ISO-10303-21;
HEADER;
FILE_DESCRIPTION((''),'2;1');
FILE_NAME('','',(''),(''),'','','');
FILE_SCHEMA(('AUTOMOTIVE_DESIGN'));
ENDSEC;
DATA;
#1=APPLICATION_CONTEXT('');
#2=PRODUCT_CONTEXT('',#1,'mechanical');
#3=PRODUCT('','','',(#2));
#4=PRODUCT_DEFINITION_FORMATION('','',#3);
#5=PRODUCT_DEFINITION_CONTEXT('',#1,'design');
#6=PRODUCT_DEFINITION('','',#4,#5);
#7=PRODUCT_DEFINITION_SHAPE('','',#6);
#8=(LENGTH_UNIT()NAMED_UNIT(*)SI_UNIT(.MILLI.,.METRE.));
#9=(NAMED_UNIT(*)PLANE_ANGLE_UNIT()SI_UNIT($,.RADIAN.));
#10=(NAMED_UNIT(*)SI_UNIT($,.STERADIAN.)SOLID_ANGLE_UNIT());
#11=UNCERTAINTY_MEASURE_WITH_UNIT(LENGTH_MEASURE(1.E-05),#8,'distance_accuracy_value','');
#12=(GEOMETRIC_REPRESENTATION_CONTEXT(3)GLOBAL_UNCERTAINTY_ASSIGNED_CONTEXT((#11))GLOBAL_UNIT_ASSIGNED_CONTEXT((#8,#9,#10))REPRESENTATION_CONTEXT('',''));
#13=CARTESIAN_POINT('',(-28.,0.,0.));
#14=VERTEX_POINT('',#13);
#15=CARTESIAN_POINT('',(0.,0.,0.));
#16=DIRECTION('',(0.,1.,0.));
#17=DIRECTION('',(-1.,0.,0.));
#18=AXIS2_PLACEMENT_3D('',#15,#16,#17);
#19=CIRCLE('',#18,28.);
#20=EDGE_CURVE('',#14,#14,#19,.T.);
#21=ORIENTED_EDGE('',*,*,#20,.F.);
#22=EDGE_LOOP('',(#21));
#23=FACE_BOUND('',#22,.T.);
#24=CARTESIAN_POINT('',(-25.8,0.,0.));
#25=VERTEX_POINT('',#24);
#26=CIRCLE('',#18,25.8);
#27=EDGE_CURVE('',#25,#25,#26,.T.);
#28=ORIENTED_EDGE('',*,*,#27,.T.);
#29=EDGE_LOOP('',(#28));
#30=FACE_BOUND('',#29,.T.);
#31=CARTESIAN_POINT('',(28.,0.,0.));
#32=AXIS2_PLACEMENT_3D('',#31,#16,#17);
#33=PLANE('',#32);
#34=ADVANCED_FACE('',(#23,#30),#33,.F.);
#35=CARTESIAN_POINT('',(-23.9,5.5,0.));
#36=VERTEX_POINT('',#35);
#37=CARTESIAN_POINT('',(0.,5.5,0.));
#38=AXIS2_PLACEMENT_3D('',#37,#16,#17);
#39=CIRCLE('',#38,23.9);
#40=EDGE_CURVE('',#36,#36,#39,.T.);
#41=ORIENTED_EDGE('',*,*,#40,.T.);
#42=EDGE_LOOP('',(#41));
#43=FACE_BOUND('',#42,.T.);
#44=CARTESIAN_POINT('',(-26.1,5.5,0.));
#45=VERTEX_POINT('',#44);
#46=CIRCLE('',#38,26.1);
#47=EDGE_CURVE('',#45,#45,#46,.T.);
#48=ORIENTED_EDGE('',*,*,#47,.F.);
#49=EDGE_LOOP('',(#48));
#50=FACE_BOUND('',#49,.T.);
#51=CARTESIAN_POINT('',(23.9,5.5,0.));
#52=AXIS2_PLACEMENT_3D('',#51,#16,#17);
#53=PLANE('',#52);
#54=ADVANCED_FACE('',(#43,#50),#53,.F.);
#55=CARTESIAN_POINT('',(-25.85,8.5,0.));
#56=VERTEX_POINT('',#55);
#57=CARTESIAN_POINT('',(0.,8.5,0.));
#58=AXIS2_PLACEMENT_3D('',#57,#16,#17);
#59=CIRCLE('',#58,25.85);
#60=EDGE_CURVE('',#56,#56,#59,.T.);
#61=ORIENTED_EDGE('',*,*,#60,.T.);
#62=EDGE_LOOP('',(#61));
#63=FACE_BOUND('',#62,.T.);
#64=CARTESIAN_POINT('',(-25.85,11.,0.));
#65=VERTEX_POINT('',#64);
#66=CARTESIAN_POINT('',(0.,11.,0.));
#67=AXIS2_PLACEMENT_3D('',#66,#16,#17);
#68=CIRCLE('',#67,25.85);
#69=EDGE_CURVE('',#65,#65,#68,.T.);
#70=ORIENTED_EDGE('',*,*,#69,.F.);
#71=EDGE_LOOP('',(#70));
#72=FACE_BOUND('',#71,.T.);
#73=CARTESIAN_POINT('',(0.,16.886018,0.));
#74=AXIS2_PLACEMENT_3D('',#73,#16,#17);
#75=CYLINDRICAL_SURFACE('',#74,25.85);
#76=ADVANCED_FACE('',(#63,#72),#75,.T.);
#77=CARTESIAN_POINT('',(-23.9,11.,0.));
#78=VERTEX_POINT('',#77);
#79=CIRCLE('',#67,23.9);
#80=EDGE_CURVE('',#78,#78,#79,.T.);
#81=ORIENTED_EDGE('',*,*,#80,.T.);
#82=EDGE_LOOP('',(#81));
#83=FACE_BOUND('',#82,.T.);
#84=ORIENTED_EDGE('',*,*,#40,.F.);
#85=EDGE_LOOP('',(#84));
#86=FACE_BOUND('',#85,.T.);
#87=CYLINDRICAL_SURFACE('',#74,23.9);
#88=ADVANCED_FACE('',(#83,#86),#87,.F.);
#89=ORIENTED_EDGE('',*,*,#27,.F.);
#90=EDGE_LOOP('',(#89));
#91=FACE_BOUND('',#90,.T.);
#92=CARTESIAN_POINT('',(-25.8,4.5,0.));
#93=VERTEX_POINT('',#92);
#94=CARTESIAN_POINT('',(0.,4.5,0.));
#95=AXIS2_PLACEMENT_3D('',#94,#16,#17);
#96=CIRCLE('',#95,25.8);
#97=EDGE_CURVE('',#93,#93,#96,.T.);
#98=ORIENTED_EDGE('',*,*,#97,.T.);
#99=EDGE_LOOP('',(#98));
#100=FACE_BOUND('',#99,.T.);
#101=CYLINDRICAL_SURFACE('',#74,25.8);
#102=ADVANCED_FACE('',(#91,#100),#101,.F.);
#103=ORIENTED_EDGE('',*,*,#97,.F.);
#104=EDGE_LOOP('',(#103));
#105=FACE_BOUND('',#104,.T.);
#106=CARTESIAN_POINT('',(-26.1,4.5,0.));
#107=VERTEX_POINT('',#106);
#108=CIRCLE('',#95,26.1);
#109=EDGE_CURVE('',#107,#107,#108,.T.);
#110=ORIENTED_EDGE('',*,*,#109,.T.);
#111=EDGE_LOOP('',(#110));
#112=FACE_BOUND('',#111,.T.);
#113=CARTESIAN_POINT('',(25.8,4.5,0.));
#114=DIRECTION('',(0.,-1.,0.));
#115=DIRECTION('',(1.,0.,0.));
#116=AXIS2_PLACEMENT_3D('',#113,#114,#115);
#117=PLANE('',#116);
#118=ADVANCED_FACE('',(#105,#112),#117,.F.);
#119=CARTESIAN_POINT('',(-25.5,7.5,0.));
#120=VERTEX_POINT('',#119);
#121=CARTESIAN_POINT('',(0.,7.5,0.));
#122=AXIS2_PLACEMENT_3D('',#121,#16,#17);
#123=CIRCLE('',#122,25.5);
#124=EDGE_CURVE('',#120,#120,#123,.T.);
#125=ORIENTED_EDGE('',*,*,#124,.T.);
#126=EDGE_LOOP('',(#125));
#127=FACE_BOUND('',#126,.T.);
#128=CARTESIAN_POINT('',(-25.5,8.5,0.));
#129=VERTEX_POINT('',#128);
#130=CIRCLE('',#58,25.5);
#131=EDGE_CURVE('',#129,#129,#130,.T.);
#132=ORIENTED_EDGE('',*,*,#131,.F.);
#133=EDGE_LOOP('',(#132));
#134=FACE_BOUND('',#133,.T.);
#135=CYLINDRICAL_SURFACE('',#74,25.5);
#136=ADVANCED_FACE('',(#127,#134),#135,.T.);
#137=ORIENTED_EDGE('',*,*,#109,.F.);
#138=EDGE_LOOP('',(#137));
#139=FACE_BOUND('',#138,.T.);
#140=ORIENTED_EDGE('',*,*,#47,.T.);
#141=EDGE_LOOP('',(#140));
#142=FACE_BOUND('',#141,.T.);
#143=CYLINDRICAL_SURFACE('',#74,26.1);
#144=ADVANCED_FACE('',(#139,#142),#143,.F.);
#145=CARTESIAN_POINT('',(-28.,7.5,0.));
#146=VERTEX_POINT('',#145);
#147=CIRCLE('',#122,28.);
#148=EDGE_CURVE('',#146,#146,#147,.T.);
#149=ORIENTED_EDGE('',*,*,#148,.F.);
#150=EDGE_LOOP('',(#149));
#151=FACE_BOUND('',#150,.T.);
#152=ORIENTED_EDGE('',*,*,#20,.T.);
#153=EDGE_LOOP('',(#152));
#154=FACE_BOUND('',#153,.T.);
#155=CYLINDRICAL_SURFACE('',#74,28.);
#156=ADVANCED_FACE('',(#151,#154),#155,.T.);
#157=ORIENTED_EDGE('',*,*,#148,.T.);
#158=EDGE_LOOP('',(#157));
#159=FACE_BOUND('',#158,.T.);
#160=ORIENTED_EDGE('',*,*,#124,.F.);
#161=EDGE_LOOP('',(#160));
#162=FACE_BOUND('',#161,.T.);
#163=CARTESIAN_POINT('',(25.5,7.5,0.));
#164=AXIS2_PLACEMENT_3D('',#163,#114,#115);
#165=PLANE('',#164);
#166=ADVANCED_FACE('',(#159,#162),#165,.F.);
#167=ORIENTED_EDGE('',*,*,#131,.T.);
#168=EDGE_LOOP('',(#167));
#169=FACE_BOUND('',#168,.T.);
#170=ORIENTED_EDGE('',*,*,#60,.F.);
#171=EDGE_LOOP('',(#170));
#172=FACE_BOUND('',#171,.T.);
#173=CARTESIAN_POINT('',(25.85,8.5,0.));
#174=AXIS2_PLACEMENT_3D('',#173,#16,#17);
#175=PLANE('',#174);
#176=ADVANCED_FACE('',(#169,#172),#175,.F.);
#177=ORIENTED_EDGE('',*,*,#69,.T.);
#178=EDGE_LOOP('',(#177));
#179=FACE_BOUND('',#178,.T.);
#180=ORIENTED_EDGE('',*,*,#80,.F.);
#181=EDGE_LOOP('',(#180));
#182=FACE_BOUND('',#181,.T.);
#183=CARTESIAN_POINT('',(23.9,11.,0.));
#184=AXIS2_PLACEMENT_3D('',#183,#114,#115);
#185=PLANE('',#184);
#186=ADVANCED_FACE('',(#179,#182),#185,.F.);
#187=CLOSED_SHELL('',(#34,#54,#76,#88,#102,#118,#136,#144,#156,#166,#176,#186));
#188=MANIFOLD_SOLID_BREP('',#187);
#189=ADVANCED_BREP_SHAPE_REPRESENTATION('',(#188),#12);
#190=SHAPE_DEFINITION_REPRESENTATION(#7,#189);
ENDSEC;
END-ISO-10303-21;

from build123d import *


with BuildPart() as part:
    # 草图1 → 旋转1 (revolve)
    with BuildSketch(Plane.XY, mode=Mode.PRIVATE) as revolve_1_sk:
        Polygon((25.8, 0), (25.8, 4.5), (26.1, 4.5), (26.1, 5.5), (23.9, 5.5), (23.9, 11), (25.85, 11), (25.85, 8.5), (25.5, 8.5), (25.5, 7.5), (28, 7.5), (28, 0), align=None)
    revolve(revolve_1_sk.sketch.rotate(Axis((0, 16.886018237, 0), (0, -1, 0)), 180), axis=Axis((0, 16.886018237, 0), (0, -1, 0)))  # turned: the seam where the file's is


solid = part.part
